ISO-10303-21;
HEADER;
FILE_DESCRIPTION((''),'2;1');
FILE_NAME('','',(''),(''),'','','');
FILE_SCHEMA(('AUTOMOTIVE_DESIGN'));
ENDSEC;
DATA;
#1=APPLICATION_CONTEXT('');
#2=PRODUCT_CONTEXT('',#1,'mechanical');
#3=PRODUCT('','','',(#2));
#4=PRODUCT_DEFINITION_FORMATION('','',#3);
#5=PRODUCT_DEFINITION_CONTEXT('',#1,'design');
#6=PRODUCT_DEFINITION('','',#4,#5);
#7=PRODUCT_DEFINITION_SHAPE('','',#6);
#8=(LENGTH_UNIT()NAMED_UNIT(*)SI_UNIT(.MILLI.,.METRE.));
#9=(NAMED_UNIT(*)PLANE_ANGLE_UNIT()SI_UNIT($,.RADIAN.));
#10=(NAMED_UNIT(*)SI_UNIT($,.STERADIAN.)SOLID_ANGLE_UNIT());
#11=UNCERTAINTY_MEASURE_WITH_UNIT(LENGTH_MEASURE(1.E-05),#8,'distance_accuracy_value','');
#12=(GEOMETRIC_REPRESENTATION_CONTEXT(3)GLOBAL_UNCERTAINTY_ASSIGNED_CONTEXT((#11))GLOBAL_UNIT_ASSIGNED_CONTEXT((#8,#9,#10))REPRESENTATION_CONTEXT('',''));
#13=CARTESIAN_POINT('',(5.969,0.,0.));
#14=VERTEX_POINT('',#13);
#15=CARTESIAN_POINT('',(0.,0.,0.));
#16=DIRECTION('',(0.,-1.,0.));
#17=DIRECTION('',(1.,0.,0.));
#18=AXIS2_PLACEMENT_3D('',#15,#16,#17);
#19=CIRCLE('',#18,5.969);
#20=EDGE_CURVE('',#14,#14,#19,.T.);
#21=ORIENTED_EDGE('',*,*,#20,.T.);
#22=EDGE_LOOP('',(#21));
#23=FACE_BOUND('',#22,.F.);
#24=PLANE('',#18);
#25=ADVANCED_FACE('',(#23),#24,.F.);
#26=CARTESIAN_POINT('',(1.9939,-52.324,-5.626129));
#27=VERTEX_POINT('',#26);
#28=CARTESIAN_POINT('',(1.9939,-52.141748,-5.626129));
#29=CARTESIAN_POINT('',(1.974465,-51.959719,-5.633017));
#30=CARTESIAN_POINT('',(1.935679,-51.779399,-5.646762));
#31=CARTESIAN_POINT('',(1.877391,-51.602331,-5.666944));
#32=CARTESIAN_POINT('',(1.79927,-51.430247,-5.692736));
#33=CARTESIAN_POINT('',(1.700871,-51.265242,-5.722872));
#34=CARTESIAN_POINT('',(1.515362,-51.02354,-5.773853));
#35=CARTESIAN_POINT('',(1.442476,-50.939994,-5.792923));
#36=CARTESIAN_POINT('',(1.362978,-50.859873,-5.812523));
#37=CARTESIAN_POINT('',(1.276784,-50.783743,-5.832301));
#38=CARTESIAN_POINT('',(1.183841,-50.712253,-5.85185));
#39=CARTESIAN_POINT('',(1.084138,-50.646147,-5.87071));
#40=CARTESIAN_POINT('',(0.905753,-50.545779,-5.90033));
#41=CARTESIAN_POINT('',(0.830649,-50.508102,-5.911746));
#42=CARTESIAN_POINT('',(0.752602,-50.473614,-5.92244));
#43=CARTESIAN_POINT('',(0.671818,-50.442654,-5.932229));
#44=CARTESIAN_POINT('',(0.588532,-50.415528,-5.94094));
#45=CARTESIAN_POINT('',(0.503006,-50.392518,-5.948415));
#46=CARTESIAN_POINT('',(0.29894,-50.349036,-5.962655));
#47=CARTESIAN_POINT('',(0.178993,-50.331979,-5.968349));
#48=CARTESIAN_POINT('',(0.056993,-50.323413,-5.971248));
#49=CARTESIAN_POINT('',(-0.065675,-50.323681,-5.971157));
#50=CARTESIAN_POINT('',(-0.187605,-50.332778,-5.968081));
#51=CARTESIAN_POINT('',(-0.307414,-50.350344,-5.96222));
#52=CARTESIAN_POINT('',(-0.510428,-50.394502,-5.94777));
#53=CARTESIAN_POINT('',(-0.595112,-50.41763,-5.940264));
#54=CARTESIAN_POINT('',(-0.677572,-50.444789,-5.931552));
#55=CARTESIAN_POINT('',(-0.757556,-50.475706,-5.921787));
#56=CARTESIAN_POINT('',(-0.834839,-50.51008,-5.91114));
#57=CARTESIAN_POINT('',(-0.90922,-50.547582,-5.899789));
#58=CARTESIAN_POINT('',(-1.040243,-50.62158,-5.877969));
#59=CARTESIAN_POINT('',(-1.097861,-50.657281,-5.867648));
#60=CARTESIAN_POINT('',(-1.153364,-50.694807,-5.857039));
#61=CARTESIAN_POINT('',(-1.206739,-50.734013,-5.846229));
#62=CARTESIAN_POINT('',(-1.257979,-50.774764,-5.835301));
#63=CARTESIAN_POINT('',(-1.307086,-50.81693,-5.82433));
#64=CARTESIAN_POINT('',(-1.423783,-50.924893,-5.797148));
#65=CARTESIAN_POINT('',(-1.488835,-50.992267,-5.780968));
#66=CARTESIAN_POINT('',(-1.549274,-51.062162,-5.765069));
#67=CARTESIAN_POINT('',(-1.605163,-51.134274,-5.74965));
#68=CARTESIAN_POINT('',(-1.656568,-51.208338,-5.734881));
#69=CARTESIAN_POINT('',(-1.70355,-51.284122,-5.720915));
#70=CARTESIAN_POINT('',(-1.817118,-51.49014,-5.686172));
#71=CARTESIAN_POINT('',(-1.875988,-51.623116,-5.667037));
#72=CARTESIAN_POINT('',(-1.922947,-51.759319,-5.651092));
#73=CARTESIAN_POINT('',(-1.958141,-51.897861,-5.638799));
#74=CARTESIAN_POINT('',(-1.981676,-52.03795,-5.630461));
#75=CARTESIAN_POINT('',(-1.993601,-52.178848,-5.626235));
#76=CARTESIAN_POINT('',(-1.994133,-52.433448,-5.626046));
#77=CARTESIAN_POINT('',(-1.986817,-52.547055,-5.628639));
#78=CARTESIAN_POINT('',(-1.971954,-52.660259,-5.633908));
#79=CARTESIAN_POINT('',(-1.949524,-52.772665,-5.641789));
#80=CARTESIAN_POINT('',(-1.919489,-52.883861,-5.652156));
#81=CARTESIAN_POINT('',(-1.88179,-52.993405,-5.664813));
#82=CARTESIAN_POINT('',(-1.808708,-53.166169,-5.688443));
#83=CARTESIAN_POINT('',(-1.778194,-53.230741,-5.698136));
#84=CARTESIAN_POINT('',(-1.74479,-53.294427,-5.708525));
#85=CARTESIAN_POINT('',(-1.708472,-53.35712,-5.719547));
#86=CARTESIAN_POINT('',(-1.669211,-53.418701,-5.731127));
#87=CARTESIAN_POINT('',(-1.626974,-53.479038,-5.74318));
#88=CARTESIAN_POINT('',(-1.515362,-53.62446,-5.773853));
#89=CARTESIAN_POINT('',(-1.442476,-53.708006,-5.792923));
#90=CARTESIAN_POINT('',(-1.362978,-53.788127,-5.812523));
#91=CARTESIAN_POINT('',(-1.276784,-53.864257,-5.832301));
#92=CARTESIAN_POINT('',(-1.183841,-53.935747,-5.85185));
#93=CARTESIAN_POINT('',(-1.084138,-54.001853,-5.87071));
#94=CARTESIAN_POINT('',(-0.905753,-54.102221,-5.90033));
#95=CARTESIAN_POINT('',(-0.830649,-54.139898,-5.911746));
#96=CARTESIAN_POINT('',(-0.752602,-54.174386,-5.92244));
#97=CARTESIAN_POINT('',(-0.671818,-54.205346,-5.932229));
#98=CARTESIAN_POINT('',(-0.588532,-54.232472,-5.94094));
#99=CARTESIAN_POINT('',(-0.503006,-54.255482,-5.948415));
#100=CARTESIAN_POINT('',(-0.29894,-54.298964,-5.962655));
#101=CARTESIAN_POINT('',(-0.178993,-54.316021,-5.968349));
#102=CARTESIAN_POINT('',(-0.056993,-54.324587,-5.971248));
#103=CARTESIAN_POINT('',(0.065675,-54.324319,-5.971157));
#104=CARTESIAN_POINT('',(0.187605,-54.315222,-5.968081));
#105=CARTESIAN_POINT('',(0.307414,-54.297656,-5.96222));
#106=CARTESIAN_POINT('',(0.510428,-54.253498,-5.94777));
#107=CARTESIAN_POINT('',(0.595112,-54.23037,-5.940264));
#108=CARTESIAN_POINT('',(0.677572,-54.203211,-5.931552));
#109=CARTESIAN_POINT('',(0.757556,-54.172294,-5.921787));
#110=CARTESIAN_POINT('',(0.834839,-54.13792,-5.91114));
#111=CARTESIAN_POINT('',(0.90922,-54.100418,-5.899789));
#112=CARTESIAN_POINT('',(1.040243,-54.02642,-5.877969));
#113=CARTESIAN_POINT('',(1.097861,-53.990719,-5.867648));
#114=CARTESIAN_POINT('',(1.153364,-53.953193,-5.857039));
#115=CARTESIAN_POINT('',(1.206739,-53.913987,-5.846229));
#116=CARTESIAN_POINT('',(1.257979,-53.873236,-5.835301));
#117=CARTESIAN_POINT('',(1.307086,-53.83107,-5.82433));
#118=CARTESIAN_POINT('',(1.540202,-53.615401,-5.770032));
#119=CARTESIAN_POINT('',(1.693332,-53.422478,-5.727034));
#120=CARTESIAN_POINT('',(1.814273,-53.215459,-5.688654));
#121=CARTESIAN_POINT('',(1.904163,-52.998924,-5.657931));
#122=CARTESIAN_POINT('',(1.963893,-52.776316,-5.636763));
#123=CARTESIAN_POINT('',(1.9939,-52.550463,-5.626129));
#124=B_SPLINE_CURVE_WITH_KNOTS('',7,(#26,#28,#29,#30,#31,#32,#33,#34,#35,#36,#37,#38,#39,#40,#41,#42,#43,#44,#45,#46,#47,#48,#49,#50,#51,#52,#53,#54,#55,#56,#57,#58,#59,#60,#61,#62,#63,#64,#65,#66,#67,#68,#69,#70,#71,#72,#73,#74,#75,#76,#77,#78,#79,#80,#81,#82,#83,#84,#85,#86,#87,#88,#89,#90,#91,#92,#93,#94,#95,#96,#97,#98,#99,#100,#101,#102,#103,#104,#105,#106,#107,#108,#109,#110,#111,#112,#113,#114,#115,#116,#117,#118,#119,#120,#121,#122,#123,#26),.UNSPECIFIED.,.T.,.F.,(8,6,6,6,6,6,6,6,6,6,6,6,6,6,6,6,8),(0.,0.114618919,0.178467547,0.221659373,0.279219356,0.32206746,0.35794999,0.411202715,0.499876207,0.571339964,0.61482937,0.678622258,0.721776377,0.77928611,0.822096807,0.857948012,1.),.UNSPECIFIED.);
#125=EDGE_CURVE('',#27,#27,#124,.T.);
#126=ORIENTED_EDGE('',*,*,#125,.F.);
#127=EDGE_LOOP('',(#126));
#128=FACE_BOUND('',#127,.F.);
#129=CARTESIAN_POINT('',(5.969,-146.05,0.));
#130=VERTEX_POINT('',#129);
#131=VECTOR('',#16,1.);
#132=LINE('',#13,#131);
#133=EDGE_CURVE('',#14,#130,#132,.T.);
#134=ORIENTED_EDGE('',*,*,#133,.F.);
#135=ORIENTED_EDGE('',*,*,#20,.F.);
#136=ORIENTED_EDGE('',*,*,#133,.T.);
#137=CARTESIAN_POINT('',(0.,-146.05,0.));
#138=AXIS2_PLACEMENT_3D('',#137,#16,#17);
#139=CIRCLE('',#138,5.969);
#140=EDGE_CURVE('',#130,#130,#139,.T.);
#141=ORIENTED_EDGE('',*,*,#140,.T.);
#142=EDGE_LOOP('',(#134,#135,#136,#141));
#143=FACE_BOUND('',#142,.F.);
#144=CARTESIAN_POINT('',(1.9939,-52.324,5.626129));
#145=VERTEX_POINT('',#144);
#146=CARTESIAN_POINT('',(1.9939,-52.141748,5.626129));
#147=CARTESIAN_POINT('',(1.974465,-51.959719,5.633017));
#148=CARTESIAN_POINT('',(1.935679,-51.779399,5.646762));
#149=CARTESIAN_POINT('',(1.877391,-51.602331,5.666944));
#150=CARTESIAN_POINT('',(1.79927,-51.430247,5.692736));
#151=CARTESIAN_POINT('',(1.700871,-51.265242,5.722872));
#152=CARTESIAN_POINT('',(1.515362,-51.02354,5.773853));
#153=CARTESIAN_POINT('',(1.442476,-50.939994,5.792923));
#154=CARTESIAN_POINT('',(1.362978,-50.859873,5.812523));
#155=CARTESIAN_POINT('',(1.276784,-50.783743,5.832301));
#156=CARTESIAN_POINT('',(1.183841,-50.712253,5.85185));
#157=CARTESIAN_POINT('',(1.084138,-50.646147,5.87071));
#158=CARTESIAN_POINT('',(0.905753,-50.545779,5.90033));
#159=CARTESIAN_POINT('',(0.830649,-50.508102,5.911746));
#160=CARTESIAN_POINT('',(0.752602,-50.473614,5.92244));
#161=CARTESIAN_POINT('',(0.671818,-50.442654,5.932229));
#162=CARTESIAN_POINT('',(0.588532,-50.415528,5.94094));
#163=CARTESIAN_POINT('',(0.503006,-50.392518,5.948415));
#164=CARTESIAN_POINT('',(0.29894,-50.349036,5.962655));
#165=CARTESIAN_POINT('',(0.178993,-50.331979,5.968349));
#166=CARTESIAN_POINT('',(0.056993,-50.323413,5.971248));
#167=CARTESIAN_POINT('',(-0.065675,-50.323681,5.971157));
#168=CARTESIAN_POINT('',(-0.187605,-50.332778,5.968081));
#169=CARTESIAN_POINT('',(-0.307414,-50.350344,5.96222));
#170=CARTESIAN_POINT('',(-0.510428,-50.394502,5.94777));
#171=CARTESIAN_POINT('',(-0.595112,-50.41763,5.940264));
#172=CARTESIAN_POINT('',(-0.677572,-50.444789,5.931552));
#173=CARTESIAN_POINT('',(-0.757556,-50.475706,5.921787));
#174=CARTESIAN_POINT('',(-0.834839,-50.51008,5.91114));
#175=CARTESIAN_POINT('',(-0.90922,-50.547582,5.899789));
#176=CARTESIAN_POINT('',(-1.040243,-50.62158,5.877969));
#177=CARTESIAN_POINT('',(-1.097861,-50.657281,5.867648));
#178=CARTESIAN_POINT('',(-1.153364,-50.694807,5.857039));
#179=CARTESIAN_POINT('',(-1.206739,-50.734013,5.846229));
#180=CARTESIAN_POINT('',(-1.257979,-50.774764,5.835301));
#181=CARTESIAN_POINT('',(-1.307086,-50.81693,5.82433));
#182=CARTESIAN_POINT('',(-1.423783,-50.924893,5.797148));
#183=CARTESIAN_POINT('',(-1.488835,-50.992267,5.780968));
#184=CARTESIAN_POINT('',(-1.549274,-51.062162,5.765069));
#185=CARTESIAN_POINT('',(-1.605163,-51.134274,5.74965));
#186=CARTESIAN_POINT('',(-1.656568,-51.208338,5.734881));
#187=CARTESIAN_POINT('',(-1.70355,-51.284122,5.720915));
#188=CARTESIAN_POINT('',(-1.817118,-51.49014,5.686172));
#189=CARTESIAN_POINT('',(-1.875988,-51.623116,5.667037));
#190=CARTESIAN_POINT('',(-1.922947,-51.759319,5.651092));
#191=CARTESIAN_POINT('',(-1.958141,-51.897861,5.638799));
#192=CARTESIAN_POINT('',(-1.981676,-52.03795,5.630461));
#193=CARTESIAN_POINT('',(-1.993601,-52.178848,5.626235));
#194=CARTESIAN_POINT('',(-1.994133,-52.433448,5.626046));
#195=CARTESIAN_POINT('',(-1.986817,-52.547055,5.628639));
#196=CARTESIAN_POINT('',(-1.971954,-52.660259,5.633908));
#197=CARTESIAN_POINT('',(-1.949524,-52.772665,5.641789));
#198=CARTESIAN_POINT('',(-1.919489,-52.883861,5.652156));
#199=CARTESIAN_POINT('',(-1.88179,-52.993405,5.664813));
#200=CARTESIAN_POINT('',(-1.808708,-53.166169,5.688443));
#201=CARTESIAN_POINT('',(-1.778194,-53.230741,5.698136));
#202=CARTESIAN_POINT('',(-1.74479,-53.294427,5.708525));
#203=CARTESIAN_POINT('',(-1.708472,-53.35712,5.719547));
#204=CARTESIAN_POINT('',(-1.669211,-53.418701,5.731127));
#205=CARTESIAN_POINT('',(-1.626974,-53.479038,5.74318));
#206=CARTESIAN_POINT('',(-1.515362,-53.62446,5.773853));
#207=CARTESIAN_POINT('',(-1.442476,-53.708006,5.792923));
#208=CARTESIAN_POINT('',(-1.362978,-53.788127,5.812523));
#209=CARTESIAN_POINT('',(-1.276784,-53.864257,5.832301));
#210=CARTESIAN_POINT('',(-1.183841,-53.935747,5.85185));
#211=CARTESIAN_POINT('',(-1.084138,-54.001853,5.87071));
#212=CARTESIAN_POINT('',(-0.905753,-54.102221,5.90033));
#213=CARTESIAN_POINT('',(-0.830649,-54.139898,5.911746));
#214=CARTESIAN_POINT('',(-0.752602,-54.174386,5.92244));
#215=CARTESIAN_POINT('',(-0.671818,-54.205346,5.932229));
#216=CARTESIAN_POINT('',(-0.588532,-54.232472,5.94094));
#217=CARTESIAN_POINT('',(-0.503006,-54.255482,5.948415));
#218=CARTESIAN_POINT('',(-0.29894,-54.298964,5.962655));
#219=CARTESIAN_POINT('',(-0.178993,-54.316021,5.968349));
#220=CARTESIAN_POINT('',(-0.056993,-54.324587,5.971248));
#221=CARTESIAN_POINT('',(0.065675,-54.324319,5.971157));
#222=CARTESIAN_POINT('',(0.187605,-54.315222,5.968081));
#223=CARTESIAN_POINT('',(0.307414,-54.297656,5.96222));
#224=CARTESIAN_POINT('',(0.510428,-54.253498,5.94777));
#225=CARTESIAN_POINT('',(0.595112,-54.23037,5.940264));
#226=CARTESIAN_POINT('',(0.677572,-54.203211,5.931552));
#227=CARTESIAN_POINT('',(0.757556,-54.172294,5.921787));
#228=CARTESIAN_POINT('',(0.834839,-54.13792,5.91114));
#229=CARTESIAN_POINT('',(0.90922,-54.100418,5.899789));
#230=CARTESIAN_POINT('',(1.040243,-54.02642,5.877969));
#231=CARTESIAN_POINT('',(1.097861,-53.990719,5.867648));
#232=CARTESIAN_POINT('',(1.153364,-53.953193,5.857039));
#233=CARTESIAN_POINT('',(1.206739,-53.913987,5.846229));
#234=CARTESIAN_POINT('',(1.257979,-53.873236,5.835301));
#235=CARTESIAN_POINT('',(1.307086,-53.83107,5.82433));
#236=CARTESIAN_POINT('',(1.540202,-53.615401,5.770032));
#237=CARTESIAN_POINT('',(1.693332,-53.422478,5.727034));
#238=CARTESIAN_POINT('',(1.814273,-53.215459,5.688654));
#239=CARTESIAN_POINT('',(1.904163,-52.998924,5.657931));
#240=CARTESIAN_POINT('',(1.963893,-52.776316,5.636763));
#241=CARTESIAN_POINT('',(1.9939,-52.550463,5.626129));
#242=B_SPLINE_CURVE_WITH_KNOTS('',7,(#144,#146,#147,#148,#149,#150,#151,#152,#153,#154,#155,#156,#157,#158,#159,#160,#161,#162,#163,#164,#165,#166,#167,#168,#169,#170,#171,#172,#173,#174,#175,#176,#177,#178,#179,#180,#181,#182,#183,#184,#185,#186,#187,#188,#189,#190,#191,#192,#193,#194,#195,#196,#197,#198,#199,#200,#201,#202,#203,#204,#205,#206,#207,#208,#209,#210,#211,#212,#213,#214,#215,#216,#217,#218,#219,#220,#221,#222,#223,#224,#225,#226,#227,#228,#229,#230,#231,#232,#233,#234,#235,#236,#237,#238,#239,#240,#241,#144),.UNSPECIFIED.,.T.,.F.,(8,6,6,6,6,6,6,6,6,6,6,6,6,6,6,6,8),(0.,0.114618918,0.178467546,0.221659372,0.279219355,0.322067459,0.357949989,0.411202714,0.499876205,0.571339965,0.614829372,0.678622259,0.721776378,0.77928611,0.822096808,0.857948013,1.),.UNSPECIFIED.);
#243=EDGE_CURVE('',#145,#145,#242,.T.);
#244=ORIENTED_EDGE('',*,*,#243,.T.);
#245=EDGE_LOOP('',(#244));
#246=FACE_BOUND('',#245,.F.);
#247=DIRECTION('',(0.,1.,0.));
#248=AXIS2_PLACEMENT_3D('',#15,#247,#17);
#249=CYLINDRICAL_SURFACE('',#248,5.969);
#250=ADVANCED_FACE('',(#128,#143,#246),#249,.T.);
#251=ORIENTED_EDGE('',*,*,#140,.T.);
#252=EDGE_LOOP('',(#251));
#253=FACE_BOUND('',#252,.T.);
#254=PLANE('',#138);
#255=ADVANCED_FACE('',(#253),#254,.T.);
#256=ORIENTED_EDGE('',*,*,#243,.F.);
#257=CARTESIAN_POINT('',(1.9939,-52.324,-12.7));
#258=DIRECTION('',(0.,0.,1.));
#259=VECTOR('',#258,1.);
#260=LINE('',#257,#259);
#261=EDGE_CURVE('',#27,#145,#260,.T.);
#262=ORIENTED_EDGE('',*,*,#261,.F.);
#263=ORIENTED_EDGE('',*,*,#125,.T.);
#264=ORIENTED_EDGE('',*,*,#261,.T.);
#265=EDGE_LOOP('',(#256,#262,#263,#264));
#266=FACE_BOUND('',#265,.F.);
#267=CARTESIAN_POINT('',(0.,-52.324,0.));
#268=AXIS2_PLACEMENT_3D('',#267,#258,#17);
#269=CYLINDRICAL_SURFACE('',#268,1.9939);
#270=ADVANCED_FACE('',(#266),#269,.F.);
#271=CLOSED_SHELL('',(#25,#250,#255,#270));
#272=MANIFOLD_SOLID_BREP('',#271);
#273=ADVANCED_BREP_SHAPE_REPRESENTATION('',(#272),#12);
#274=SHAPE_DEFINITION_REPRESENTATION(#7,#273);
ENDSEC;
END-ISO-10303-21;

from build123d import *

# Parameters (mm, degrees)
F0_R     = 5.969
F1_DEPTH = 146.05
F2_R     = 1.9939
F3_DEPTH = 12.7


with BuildPart() as f1:
    # F0 (on Front) → F1 (new body)
    with BuildSketch(Plane.XZ):
        Circle(F0_R)
    extrude(amount=F1_DEPTH)

    # F2 (on Top) → F3 (cut, symmetric)
    with BuildSketch(Plane.XY):
        with Locations((0, -52.324)):
            Circle(F2_R)
    extrude(amount=F3_DEPTH, both=True, mode=Mode.SUBTRACT)


solid = f1.part
